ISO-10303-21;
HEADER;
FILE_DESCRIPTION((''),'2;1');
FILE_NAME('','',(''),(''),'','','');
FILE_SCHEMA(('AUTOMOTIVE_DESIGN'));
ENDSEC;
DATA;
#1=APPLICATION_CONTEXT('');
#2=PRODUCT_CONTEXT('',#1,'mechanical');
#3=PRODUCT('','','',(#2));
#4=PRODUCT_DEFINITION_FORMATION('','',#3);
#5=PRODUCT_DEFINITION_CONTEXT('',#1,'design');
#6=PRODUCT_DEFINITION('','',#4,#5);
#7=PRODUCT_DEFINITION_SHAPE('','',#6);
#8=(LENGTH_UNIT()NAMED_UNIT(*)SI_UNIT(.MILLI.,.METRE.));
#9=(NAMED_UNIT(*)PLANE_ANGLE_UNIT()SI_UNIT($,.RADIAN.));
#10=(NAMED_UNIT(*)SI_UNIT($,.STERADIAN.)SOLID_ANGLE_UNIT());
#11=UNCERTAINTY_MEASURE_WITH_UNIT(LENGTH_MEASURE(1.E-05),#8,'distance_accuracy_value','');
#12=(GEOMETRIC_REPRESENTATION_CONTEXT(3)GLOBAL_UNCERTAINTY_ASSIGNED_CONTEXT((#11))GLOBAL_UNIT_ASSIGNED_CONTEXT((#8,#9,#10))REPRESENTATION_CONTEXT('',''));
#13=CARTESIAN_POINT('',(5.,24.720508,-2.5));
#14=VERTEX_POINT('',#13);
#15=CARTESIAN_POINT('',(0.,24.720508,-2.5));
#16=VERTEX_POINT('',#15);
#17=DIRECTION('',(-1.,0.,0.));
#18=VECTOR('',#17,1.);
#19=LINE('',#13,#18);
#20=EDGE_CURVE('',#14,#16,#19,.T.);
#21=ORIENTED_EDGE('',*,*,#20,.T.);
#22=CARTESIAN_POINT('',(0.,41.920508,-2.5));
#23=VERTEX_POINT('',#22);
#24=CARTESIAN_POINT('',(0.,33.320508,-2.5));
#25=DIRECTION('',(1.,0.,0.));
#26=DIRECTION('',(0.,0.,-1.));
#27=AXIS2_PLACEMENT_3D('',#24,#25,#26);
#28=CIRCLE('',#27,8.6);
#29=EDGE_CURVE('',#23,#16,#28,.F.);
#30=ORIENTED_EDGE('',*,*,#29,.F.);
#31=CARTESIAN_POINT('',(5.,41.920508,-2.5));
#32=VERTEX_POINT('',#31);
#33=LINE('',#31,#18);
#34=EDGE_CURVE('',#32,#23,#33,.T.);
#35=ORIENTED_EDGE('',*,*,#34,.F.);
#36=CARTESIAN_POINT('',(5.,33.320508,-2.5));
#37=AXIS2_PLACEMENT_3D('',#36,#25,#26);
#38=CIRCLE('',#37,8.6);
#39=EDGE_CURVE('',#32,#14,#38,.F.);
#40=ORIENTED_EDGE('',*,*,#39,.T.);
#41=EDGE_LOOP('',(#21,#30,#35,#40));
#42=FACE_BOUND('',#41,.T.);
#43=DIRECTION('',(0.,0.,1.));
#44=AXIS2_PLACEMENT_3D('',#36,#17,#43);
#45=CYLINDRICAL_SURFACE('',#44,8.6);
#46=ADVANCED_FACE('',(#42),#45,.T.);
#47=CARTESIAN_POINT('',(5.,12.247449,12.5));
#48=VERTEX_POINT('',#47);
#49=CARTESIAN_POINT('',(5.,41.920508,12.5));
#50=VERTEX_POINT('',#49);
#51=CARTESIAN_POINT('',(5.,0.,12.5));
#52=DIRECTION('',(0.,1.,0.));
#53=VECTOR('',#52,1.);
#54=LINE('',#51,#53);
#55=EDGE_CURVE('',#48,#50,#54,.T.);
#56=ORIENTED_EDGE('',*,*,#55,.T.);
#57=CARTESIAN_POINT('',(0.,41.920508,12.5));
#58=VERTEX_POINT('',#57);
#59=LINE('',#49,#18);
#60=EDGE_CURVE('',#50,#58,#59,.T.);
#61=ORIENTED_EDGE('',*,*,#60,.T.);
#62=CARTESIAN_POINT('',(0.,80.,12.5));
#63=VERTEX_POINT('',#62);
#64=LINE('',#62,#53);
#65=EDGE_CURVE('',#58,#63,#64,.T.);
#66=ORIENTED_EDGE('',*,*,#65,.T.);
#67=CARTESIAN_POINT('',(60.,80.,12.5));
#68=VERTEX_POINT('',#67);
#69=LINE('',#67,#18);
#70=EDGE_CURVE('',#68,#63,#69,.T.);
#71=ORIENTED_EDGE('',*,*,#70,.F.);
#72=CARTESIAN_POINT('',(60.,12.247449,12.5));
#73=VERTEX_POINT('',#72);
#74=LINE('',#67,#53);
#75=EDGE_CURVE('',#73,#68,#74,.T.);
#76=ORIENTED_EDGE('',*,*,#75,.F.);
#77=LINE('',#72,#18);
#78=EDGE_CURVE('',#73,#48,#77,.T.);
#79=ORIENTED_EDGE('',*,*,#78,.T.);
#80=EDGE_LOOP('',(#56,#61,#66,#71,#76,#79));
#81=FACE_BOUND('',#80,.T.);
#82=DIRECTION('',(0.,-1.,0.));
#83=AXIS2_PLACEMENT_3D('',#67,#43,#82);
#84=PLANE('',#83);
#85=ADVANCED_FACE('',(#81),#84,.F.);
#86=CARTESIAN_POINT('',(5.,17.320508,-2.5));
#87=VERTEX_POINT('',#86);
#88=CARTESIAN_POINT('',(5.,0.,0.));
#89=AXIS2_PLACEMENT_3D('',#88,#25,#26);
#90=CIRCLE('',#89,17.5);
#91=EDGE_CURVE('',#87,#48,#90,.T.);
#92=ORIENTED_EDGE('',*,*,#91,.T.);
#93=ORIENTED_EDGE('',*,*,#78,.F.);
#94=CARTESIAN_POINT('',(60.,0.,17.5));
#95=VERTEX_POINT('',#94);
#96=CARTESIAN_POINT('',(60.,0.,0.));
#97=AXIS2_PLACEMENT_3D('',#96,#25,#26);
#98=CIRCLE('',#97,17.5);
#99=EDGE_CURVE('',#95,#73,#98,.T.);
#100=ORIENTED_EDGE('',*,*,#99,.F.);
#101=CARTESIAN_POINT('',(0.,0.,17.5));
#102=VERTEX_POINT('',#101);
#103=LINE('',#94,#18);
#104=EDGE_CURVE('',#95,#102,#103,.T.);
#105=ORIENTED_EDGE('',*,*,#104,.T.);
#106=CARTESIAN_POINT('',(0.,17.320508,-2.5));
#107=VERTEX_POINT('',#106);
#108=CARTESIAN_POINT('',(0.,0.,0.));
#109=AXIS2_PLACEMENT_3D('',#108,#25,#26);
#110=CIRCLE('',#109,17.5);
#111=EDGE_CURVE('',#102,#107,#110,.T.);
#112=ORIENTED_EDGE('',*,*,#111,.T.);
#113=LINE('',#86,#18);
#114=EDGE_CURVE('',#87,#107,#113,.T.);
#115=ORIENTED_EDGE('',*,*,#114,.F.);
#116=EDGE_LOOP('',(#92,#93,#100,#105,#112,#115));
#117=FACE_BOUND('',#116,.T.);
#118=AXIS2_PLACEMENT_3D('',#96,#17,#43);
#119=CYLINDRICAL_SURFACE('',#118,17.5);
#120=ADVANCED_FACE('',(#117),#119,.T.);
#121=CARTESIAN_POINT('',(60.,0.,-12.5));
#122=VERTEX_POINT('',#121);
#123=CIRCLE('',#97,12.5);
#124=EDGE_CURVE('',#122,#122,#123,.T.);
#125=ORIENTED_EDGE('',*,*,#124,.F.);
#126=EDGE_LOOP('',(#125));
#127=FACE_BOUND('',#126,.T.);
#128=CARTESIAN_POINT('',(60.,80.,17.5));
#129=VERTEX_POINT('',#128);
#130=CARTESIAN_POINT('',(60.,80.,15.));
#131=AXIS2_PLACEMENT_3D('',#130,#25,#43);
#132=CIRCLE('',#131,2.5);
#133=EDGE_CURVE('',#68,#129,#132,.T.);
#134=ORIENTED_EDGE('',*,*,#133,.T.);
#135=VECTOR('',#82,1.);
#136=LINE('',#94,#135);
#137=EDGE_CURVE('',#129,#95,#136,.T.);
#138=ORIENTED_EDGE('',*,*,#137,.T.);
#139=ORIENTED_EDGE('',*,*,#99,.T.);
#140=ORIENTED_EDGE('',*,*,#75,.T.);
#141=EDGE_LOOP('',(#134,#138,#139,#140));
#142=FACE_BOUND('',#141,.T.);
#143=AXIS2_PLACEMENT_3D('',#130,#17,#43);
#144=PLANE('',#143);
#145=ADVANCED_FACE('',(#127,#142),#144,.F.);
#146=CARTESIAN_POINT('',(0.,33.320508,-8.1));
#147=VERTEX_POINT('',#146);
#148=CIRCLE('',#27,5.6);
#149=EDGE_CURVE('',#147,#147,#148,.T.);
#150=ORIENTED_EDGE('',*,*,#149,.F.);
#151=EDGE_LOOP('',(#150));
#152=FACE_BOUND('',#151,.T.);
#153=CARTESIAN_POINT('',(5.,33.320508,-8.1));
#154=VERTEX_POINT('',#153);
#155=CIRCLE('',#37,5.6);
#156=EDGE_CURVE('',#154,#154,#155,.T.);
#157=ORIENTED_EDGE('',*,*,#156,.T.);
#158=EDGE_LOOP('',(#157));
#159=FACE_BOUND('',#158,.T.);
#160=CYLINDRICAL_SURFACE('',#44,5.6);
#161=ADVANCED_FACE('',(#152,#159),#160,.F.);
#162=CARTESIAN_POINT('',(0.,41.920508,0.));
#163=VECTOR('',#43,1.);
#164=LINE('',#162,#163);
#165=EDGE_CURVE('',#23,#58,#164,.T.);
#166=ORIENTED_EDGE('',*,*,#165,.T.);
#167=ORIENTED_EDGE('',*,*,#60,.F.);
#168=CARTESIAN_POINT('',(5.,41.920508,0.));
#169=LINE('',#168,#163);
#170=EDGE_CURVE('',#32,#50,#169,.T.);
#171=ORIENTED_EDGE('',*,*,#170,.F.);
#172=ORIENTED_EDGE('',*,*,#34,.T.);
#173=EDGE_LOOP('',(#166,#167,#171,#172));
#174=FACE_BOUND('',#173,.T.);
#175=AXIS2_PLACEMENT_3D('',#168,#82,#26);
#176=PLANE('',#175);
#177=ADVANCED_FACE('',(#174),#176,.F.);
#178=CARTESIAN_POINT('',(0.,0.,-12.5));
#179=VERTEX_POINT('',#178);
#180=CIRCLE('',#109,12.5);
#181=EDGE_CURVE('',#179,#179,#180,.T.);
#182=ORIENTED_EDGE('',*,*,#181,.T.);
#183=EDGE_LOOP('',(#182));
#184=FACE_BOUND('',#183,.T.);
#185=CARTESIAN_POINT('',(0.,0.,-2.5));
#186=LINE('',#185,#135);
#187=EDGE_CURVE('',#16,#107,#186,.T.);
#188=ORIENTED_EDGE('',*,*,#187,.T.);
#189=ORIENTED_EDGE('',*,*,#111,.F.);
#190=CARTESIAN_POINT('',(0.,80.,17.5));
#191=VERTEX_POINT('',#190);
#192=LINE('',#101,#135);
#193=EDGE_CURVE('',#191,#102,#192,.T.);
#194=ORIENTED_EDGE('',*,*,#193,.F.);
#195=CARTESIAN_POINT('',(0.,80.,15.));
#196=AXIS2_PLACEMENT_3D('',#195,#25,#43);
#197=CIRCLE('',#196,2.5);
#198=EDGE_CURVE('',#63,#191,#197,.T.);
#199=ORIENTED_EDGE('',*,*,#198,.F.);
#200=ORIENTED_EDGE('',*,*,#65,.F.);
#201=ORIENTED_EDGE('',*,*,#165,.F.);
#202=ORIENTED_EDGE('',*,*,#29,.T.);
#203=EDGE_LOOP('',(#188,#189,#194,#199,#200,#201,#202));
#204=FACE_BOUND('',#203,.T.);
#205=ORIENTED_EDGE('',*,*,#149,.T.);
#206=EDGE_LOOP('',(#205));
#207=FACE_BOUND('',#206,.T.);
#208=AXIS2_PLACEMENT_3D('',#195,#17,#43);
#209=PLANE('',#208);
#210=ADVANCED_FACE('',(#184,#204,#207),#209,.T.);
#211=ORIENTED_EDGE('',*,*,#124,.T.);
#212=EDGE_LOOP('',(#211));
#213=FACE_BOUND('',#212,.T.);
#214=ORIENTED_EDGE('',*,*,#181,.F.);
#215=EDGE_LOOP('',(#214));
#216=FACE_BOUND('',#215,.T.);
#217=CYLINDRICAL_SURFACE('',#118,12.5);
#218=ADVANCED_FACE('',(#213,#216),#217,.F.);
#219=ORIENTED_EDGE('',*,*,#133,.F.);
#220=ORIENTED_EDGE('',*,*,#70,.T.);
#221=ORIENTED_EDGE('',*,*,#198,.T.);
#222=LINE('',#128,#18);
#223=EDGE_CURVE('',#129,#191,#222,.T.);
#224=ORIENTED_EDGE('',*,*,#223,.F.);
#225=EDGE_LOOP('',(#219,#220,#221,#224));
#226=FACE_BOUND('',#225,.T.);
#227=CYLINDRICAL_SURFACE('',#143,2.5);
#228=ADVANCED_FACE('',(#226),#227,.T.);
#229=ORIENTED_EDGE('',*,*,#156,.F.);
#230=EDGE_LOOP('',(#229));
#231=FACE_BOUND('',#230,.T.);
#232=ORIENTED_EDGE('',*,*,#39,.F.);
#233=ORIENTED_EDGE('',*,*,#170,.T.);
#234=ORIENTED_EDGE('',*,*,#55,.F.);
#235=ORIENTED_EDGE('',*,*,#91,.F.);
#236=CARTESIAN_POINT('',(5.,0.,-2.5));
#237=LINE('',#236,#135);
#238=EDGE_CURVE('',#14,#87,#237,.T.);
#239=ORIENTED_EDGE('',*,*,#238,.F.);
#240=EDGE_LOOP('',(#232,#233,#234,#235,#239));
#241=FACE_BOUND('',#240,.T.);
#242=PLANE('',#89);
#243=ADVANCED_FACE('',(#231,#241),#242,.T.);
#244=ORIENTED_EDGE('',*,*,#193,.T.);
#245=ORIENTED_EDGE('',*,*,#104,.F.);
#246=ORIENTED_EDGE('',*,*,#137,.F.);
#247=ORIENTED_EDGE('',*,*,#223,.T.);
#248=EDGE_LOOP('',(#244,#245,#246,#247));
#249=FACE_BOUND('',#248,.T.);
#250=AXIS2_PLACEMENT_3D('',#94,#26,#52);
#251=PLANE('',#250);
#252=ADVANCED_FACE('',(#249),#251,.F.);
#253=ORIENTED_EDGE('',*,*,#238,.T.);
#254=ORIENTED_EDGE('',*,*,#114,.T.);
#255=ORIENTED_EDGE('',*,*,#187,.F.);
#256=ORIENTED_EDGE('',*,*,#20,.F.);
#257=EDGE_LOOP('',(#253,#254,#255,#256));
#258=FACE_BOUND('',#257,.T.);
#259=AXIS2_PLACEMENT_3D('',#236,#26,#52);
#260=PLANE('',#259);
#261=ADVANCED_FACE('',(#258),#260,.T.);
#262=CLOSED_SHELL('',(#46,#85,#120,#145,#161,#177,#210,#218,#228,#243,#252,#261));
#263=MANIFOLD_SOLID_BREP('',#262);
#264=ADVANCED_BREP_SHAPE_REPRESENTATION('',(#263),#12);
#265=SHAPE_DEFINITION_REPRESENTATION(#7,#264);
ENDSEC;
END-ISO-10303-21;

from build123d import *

# Parameters (mm, degrees)
SKETCH1_R           = 12.5
BOSS_EXTRUDE1_DEPTH = 60
SKETCH2_R           = 5.6
BOSS_EXTRUDE2_DEPTH = 5


with BuildPart() as part:
    # Sketch1 → Boss-Extrude1 (new body)
    with BuildSketch(Plane(origin=(0, 0, 0), x_dir=(0, 0, -1), z_dir=(1, 0, 0))):
        with BuildLine():
            Line((-17.5, 0), (-17.5, 80))
            ThreePointArc((-17.5, 80), (-15, 82.5), (-12.5, 80))
            Line((-12.5, 80), (-12.5, 12.247448714))
            ThreePointArc((-12.5, 12.247448714), (16.201851746, -6.614378278), (-17.5, 0))
        make_face()
        Circle(SKETCH1_R, mode=Mode.SUBTRACT)
    extrude(amount=BOSS_EXTRUDE1_DEPTH)

    # Sketch2 → Boss-Extrude2 (add)
    with BuildSketch(Plane(origin=(0, 0, 0), x_dir=(0, 0, -1), z_dir=(1, 0, 0))):
        with BuildLine():
            ThreePointArc((2.5, 24.720508076), (11.1, 33.320508076), (2.5, 41.920508076))
            Line((2.5, 41.920508076), (-12.5, 41.920508076))
            Line((-12.5, 41.920508076), (-12.5, 12.247448714))
            ThreePointArc((-12.5, 12.247448714), (-5.606601718, 16.577575733), (2.5, 17.320508076))
            Line((2.5, 17.320508076), (2.5, 24.720508076))
        make_face()
        with Locations((2.5, 33.320508076)):
            Circle(SKETCH2_R, mode=Mode.SUBTRACT)
    extrude(amount=BOSS_EXTRUDE2_DEPTH)


solid = part.part
